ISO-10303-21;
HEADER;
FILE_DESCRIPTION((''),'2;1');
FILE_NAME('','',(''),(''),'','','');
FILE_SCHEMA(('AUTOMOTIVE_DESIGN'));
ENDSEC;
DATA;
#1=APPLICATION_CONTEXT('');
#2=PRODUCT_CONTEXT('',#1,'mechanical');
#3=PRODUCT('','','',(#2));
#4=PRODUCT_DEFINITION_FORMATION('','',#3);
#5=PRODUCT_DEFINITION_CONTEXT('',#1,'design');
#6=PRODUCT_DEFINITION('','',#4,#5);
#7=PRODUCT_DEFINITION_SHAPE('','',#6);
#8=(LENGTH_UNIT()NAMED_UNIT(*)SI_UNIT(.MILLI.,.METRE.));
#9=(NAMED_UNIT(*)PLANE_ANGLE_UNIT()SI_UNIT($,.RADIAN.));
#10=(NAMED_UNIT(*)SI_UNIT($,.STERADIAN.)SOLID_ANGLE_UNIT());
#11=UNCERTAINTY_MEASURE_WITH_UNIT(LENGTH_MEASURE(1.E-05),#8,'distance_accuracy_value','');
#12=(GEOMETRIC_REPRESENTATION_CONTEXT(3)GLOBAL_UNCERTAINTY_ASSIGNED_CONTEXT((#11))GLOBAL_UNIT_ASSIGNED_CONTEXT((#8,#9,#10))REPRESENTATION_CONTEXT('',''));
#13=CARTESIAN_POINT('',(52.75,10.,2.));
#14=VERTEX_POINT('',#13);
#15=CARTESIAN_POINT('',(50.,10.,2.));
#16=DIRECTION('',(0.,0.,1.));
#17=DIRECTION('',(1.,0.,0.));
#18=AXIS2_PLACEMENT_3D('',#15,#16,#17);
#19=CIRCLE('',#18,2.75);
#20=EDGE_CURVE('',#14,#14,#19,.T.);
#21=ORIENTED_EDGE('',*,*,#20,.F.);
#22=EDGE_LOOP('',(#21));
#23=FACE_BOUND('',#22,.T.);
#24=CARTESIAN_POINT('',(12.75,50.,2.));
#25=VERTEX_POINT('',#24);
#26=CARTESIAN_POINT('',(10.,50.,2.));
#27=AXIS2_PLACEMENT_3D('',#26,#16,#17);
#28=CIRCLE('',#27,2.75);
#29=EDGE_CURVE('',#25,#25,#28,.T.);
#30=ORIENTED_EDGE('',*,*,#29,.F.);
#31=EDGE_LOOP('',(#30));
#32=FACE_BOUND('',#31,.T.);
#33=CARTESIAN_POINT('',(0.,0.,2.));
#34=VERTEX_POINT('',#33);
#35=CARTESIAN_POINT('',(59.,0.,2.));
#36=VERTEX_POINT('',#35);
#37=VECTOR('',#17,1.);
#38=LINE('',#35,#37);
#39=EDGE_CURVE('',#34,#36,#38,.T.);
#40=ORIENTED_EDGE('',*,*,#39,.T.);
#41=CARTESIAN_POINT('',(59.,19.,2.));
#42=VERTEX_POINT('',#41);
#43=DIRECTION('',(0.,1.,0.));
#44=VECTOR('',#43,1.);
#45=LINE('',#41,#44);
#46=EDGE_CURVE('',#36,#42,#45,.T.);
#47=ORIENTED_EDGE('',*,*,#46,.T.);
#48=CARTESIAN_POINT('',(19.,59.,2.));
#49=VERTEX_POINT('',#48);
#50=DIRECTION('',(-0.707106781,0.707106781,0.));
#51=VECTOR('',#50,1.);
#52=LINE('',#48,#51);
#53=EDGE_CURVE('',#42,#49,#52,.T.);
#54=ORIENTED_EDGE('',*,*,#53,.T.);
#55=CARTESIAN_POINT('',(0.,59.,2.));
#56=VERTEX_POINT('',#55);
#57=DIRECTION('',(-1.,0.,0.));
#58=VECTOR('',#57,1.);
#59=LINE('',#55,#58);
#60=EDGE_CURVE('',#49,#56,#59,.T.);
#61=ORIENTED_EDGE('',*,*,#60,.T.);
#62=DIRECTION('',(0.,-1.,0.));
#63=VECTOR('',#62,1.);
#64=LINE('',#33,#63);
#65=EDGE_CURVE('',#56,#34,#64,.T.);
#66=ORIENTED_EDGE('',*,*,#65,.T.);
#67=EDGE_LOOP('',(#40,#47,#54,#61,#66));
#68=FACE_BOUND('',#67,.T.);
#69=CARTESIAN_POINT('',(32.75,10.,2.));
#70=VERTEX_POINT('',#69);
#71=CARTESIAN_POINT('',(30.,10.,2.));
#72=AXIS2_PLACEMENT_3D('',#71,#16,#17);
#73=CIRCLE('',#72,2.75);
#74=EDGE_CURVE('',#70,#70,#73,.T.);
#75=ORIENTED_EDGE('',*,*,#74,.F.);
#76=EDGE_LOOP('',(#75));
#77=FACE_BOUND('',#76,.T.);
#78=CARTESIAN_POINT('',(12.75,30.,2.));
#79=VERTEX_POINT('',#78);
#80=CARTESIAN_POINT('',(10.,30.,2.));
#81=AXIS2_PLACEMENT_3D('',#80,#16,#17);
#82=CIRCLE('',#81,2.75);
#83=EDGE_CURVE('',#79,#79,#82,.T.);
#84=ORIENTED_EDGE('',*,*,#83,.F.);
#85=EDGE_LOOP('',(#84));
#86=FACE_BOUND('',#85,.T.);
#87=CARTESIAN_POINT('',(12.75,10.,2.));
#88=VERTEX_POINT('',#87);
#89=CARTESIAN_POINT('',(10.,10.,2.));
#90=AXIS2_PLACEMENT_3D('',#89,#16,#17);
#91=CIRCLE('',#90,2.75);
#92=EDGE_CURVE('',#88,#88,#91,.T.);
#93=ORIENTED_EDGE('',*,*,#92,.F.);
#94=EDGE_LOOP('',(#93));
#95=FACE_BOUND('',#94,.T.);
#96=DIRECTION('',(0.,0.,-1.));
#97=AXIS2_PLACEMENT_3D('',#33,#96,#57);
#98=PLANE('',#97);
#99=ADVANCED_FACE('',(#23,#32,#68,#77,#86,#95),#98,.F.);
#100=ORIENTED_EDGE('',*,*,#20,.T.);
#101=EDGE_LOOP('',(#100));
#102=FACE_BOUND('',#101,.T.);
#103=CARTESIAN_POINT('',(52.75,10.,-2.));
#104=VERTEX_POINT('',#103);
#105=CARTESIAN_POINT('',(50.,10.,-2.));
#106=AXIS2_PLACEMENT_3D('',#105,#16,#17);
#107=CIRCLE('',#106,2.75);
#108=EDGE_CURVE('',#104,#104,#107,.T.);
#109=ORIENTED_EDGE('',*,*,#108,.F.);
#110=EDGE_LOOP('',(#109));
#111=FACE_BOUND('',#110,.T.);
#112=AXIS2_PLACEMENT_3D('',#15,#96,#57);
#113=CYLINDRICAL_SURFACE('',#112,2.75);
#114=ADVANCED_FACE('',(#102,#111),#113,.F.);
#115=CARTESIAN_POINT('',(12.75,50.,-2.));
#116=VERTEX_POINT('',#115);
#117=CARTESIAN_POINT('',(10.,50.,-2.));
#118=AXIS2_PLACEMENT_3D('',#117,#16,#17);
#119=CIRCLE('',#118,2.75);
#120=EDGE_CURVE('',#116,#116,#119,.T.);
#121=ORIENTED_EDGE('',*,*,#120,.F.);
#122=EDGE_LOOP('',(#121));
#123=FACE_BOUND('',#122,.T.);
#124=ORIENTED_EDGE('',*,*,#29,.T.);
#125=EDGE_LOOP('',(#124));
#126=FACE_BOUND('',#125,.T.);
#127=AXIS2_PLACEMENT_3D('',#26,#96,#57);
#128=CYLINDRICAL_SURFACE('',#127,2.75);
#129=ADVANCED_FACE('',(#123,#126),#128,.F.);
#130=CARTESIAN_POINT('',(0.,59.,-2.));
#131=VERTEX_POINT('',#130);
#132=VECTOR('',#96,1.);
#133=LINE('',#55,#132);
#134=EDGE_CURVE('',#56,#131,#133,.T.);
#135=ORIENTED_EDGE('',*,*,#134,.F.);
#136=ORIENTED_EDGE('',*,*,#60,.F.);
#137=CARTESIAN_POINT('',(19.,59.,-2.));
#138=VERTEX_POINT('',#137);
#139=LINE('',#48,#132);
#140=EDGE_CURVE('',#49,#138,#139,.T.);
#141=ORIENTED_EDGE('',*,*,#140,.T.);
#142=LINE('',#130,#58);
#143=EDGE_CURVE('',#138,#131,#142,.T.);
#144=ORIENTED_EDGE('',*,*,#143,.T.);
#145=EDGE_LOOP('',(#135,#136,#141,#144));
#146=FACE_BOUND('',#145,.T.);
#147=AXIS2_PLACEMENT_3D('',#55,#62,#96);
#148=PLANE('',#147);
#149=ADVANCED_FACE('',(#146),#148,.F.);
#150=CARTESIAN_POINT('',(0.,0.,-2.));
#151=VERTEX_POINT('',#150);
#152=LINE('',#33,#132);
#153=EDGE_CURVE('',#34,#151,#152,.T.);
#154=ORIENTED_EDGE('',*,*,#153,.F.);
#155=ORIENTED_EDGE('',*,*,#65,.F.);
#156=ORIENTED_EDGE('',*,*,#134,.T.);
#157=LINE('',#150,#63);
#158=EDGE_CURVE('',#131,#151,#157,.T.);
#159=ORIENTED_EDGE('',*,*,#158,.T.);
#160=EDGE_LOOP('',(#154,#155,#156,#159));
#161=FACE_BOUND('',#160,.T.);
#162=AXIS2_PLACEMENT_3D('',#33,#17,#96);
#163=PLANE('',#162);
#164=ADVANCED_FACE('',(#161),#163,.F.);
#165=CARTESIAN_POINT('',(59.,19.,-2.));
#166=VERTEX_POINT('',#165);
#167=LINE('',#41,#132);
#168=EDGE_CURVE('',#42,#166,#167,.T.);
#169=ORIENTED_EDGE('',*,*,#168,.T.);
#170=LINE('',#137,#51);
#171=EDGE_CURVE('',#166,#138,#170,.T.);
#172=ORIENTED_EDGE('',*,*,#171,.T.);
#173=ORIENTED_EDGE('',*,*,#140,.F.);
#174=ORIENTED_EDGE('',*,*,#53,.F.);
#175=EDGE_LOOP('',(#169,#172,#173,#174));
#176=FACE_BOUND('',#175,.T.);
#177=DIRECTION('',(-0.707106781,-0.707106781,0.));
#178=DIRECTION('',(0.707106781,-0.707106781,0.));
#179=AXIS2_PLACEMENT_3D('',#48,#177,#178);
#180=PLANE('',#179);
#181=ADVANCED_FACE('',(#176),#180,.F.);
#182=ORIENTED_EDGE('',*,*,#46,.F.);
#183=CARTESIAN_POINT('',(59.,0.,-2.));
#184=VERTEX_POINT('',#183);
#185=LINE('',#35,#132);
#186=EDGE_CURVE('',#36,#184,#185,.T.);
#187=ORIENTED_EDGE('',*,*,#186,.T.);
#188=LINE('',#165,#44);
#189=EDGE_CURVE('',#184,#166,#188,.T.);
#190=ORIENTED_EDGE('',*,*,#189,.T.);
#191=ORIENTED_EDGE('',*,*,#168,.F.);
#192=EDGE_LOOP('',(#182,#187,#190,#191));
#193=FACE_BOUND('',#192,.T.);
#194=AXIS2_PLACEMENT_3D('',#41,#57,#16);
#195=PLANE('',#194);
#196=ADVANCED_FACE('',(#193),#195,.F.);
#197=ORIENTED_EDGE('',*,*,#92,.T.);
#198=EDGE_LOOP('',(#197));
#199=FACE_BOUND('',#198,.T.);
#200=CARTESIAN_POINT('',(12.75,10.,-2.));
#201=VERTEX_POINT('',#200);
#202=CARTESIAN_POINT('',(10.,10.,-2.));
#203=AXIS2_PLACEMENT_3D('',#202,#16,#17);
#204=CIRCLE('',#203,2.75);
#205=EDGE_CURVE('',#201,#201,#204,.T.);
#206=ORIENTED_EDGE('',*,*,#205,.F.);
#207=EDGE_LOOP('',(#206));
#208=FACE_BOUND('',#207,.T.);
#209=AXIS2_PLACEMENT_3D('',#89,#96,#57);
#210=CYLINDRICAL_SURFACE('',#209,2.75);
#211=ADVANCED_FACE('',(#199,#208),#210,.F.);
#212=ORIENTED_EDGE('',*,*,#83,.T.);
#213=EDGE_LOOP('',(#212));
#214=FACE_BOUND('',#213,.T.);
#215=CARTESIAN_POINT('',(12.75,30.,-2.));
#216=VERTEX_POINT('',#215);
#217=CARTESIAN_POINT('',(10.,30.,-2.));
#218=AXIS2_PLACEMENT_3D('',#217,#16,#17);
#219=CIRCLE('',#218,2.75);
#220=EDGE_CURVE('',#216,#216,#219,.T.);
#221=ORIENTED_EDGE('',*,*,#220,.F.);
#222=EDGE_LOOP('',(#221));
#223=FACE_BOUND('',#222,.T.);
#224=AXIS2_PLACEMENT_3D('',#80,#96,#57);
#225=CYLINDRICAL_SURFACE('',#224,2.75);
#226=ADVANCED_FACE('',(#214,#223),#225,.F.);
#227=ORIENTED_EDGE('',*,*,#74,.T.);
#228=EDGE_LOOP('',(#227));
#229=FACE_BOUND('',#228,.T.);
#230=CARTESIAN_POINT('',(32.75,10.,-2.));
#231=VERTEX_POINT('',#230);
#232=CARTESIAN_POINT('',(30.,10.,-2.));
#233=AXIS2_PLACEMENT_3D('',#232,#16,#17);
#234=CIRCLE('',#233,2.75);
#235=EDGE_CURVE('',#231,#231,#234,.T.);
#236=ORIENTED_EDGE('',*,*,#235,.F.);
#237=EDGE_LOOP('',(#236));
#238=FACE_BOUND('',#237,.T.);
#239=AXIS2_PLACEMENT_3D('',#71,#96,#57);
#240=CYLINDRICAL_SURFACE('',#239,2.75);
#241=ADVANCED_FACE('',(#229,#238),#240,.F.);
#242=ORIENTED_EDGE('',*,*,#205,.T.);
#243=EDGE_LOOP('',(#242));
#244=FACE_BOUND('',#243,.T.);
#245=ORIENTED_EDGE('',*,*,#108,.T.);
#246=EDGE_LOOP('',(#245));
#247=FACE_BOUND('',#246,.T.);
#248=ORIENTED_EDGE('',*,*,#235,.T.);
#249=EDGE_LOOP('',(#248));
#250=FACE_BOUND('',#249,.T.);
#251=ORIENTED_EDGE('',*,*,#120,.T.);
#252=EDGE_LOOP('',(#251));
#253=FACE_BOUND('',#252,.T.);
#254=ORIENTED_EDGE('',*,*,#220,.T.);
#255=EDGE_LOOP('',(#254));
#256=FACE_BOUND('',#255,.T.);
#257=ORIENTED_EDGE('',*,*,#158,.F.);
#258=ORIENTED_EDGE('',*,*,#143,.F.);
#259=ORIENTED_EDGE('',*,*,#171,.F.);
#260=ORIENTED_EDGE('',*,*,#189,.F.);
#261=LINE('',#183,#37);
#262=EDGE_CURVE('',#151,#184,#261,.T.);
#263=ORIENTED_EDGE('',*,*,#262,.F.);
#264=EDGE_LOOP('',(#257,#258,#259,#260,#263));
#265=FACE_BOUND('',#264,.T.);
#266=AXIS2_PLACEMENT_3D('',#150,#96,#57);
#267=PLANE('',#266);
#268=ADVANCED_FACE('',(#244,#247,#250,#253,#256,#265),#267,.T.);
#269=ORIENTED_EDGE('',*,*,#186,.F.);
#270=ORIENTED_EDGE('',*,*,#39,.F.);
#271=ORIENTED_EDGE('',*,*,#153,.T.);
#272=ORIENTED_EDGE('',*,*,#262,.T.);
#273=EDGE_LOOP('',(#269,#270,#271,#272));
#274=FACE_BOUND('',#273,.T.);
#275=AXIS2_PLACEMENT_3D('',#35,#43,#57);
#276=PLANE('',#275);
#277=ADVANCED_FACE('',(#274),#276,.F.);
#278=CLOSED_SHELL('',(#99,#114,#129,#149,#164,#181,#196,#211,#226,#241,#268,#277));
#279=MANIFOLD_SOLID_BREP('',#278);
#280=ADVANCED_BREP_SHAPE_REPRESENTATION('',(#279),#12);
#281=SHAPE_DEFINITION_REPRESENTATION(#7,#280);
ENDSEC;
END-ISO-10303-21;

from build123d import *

# Parameters (mm, degrees)
SKETCH1_R           = 2.75
BOSS_EXTRUDE1_DEPTH = 2


with BuildPart() as part:
    # Sketch1 → Boss-Extrude1 (new body, symmetric)
    with BuildSketch(Plane.XY):
        Polygon((0, 0), (0, 59), (19, 59), (59, 19), (59, 0), align=None)
        with Locations((10, 10)):
            Circle(SKETCH1_R, mode=Mode.SUBTRACT)
        with Locations((10, 30)):
            Circle(SKETCH1_R, mode=Mode.SUBTRACT)
        with Locations((10, 50)):
            Circle(SKETCH1_R, mode=Mode.SUBTRACT)
        with Locations((30, 10)):
            Circle(SKETCH1_R, mode=Mode.SUBTRACT)
        with Locations((50, 10)):
            Circle(SKETCH1_R, mode=Mode.SUBTRACT)
    extrude(amount=BOSS_EXTRUDE1_DEPTH, both=True)


solid = part.part
